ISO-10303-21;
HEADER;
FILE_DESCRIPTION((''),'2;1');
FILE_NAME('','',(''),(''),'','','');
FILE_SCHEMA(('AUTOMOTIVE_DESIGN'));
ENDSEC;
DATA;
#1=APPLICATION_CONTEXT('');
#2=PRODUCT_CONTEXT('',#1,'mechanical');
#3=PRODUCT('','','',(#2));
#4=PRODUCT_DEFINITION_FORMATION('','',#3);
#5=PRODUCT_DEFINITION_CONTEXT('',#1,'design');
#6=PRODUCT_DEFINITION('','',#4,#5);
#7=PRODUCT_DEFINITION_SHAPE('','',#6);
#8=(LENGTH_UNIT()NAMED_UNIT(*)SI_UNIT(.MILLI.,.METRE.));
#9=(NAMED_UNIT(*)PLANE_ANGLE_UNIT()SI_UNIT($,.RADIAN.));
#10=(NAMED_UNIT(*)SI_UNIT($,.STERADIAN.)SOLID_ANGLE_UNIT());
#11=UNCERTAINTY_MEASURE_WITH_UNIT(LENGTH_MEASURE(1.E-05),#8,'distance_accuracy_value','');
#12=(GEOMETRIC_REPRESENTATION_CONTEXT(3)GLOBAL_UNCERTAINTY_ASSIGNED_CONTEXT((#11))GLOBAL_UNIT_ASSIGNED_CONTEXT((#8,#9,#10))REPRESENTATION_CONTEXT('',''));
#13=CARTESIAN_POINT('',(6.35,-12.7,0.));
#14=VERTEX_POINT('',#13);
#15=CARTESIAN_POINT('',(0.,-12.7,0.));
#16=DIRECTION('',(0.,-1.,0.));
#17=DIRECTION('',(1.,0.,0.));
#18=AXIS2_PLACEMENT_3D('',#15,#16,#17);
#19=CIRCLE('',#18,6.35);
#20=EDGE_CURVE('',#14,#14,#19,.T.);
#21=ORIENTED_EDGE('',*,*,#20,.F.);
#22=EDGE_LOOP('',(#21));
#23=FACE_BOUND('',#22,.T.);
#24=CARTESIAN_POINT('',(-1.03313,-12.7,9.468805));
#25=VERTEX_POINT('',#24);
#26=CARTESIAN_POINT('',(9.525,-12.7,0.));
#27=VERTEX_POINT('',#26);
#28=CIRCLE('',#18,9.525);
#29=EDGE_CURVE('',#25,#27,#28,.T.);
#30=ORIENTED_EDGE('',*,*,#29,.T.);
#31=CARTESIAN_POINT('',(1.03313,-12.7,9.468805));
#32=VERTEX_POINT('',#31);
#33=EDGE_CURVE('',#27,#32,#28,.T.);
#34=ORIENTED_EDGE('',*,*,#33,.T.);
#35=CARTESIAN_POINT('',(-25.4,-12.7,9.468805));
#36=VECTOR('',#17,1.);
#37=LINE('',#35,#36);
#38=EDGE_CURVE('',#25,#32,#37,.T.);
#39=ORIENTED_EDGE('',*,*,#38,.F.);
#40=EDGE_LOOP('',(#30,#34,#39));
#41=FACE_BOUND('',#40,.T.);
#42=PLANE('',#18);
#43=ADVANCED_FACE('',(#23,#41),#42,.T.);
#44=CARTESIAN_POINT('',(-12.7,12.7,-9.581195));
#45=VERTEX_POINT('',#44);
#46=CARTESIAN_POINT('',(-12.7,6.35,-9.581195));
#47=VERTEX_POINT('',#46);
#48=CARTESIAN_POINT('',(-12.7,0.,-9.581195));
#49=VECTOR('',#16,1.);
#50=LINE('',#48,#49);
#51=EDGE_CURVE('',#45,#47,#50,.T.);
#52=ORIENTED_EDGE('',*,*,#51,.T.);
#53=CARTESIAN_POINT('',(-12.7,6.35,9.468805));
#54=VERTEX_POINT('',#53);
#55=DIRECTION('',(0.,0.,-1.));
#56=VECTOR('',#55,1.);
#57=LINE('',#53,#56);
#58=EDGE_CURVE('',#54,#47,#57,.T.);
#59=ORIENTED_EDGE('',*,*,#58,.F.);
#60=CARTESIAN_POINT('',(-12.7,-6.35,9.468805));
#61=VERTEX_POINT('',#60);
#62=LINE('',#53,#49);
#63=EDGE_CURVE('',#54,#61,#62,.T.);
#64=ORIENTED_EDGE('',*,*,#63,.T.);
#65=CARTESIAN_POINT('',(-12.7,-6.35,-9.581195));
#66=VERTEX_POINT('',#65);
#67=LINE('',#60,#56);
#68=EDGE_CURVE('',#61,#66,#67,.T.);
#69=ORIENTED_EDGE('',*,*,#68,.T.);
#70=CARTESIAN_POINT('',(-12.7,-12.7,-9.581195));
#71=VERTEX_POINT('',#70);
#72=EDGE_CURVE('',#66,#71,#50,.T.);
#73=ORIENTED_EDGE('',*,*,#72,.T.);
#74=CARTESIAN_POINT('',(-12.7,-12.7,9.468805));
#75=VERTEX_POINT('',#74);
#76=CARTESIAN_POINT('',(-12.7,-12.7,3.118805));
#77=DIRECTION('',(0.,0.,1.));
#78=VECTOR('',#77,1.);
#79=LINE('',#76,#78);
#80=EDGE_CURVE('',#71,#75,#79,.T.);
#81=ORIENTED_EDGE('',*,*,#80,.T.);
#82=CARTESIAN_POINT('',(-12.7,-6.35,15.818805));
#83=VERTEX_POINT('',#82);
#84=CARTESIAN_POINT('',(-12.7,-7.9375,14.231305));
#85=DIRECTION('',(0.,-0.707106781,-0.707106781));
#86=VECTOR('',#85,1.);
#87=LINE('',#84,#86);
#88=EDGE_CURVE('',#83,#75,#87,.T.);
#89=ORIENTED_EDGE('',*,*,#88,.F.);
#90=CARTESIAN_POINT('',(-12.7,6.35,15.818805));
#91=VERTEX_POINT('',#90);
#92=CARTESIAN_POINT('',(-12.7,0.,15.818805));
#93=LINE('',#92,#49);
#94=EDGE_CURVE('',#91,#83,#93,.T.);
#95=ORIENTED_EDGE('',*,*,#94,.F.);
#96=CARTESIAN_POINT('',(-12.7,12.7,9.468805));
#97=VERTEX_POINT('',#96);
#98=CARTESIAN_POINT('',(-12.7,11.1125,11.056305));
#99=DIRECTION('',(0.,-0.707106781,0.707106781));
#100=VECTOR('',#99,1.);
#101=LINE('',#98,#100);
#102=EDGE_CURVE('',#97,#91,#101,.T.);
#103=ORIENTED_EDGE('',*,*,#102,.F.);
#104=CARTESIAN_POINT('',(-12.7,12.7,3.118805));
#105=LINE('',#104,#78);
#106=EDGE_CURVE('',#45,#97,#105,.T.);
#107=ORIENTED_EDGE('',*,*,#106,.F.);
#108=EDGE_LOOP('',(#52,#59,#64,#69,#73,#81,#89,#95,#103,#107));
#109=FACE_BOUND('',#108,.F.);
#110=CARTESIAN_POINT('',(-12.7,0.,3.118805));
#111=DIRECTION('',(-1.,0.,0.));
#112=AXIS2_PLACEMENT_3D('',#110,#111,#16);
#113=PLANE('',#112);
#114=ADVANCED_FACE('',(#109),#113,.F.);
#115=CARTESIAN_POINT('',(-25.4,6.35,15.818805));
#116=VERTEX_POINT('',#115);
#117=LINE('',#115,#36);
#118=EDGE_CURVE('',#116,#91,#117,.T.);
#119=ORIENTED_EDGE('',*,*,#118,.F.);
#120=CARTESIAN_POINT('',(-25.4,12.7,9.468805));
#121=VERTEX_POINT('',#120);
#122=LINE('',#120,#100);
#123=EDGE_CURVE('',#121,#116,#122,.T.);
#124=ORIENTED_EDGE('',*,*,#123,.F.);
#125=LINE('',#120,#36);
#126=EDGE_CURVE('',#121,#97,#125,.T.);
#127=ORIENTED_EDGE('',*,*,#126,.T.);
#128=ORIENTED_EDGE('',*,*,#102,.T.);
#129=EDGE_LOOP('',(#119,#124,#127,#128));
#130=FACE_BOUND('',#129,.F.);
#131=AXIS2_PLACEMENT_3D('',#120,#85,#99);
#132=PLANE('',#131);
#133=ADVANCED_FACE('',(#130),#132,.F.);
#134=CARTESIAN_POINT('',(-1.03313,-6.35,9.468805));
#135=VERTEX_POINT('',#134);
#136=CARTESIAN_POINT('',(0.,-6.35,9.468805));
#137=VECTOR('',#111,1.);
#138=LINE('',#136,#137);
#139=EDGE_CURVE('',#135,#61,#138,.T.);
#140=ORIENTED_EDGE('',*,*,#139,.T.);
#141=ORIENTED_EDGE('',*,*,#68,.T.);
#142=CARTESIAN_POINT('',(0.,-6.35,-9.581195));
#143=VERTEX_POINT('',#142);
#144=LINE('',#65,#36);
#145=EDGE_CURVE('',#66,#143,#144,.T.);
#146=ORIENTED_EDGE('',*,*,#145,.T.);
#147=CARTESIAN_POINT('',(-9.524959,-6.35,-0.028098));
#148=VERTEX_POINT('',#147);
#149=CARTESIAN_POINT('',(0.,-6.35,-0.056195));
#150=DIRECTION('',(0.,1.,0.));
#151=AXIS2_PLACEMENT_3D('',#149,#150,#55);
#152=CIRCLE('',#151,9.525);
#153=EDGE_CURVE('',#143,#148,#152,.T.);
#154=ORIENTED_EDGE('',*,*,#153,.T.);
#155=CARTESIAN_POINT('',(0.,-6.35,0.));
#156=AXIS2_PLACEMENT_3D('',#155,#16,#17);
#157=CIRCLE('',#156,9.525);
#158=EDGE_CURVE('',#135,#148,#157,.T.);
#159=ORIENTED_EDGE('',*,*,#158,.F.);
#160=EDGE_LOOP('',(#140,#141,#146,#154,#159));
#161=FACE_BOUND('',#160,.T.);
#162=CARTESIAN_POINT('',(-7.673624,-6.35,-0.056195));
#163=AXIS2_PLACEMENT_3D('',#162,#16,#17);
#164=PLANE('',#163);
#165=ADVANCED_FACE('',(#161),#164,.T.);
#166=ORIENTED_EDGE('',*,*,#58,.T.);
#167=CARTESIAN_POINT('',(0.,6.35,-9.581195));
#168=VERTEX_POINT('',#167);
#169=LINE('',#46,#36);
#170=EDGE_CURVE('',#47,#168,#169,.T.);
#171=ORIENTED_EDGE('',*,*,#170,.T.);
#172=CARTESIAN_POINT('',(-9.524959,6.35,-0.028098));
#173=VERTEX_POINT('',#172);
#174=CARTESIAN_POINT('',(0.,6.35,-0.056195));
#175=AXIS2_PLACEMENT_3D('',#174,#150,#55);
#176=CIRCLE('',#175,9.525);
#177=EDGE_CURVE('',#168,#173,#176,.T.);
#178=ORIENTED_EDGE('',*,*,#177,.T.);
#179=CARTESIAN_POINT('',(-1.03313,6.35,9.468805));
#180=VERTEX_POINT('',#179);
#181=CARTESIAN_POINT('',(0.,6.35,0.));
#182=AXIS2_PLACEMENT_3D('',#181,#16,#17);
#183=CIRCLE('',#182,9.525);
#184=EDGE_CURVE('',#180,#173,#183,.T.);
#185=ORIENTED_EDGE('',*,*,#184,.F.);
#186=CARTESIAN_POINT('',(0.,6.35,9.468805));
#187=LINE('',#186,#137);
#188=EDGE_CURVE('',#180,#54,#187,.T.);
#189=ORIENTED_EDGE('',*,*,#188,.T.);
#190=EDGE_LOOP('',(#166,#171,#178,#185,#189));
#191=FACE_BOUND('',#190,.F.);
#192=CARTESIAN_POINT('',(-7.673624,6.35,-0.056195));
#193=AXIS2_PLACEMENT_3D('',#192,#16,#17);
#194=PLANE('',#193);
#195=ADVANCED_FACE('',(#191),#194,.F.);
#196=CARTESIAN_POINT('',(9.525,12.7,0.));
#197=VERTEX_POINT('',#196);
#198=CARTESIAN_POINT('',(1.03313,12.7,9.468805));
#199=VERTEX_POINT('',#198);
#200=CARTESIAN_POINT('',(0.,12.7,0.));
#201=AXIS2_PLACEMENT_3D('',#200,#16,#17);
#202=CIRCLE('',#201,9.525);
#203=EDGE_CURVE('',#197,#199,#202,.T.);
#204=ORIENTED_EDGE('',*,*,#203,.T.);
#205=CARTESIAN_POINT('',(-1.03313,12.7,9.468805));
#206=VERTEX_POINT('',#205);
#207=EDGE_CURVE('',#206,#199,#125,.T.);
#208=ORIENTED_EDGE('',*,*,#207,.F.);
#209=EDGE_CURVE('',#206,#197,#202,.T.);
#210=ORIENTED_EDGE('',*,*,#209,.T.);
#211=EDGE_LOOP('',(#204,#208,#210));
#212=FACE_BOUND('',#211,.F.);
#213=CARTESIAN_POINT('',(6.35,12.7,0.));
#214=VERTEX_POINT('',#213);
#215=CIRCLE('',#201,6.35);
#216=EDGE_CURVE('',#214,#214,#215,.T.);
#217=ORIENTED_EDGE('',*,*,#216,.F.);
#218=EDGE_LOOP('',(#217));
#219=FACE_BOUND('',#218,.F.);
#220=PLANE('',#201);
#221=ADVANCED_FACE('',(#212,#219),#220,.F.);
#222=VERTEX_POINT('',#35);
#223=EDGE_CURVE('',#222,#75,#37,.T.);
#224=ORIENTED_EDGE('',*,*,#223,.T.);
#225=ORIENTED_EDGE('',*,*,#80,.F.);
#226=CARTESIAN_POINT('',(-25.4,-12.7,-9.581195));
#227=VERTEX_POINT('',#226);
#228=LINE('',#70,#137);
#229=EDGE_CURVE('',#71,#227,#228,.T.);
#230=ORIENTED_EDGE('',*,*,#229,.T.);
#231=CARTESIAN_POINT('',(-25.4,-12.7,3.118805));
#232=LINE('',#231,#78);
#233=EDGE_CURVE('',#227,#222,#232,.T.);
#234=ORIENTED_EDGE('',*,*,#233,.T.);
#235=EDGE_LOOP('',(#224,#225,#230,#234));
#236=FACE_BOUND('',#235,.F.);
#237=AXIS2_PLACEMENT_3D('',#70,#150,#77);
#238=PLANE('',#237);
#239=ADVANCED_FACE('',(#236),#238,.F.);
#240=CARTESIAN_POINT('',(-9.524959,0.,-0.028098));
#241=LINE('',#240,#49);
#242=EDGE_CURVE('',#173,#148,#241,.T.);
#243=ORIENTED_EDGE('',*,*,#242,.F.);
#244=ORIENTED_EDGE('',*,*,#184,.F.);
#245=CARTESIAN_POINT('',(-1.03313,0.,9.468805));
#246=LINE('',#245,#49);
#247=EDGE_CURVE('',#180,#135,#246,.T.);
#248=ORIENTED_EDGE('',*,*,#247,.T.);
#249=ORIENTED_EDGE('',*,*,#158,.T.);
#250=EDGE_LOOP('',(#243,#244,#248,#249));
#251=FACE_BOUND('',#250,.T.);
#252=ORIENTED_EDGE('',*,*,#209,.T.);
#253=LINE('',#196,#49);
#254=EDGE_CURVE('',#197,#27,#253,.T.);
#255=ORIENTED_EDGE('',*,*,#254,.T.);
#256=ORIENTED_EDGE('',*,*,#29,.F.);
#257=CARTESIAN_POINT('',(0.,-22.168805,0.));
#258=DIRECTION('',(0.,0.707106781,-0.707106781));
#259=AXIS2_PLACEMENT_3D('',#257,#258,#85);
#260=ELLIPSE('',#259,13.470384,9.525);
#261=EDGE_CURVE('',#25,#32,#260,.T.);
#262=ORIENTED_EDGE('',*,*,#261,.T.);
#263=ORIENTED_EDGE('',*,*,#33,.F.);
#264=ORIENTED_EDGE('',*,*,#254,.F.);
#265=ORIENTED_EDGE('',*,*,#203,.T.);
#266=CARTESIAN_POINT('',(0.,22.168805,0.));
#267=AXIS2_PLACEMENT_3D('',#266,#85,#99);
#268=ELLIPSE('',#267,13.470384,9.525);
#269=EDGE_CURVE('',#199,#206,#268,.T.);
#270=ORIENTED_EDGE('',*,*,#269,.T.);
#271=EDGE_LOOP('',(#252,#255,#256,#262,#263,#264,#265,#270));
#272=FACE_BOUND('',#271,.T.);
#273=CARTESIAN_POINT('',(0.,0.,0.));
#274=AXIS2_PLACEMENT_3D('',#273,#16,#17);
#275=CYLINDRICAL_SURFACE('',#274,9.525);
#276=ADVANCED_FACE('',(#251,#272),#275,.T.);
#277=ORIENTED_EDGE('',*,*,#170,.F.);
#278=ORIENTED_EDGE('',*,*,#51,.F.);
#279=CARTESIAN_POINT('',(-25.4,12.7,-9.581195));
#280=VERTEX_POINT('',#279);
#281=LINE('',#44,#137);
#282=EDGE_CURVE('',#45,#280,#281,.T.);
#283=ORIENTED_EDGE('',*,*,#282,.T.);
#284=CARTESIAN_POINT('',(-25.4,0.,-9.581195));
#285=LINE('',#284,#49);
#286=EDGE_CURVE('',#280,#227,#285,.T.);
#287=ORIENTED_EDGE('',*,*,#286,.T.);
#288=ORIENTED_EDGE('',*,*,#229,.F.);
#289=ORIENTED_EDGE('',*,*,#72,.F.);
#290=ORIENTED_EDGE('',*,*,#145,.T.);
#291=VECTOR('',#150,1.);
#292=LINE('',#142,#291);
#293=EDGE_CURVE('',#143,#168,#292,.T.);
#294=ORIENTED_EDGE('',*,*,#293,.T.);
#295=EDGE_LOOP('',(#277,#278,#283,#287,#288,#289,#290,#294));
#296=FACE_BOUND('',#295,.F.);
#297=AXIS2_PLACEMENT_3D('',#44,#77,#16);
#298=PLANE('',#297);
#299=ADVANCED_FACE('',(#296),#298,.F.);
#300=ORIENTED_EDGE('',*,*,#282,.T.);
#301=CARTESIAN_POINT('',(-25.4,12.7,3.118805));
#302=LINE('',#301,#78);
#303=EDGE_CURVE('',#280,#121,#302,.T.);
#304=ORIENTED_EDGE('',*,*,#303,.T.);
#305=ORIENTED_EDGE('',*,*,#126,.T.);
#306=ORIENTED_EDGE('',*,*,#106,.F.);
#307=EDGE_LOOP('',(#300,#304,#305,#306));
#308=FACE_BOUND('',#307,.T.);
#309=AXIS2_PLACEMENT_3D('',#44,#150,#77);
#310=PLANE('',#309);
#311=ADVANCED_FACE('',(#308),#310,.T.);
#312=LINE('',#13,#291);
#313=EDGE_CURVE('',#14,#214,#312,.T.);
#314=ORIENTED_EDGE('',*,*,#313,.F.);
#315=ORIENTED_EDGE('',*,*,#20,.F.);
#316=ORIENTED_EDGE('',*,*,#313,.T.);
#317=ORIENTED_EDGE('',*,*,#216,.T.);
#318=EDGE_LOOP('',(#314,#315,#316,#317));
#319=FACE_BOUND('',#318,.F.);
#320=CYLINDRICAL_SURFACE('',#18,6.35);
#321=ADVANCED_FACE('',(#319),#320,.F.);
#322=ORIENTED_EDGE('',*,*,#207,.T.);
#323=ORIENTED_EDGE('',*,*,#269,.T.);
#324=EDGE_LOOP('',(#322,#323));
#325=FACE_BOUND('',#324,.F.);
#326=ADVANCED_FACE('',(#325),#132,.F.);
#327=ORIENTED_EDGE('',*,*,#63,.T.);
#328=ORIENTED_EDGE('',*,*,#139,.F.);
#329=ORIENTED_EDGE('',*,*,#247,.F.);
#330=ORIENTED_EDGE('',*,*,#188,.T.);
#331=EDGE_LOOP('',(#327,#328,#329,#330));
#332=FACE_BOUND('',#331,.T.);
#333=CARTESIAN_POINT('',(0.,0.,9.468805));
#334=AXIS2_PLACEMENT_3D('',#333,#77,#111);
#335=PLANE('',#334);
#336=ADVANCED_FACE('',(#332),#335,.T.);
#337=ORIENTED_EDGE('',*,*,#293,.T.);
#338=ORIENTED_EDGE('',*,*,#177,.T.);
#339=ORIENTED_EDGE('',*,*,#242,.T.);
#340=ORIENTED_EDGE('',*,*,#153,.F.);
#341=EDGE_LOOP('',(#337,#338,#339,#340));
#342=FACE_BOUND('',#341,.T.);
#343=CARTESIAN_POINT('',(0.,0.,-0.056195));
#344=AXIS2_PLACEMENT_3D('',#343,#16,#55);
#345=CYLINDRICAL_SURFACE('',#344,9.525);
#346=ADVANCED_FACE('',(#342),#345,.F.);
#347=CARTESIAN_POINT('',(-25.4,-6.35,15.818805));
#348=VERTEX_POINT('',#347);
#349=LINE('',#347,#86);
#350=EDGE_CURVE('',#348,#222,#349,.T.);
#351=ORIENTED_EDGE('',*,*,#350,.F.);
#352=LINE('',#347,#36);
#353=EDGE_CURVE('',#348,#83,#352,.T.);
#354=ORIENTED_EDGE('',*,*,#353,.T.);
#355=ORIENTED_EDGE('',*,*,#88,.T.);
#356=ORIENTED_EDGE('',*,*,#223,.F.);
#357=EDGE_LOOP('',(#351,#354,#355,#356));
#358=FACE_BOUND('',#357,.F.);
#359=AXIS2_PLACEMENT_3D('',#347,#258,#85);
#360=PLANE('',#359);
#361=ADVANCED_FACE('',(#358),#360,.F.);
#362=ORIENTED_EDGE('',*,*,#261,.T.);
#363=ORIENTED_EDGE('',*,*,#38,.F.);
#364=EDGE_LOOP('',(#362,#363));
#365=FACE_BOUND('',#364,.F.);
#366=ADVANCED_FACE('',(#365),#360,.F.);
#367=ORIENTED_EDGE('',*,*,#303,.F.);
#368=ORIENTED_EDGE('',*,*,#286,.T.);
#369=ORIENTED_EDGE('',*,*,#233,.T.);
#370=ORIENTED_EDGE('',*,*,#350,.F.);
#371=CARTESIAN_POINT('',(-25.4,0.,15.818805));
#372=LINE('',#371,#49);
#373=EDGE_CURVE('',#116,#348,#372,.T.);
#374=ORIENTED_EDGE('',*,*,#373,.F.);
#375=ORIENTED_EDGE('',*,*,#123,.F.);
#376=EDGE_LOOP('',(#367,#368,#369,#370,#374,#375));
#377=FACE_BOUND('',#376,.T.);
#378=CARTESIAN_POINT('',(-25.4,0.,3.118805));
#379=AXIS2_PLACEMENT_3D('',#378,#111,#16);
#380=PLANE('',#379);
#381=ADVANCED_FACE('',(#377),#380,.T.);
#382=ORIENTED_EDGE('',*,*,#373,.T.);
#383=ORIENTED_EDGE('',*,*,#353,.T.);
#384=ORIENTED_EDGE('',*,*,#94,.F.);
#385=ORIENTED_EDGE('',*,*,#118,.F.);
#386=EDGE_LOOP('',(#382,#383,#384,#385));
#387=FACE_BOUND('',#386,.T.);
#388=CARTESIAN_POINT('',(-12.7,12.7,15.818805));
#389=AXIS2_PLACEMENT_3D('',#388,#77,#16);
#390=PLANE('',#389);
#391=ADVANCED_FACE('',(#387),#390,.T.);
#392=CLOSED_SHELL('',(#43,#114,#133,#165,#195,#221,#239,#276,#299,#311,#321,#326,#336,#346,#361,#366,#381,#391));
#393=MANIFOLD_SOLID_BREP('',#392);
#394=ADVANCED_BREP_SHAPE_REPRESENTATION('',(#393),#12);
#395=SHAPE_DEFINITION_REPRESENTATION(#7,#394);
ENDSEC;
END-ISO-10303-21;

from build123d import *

# Parameters (mm, degrees)
F0_R     = 9.525
F1_DEPTH = 12.7
F3_DEPTH = 6.35
F4_W     = 25.4
F4_H     = 25.4
F5_DEPTH = 12.7
F7_DEPTH = 34.926
F8_R     = 6.35
F9_DEPTH = 25.401


with BuildPart() as f1:
    # F0 (on Front) → F1 (new body, symmetric)
    with BuildSketch(Plane.XZ):
        Circle(F0_R)
    extrude(amount=F1_DEPTH, both=True)

    # F2 (on Front) → F3 (join, symmetric)
    with BuildSketch(Plane.XZ):
        with BuildLine():
            ThreePointArc((0, -9.581195), (-9.525, -0.056195), (0, 9.468805))
            Line((0, 9.468805), (-12.7, 9.468805))
            Line((-12.7, 9.468805), (-12.7, -9.581195))
            Line((-12.7, -9.581195), (0, -9.581195))
        make_face()
    extrude(amount=F3_DEPTH, both=True)

    # F4 (on face) → F5 (join)
    with BuildSketch(Plane(origin=(-12.7, 0, 0), x_dir=(0, -1, 0), z_dir=(-1, 0, 0))):
        with Locations((0, 3.118805)):
            Rectangle(F4_W, F4_H)
    extrude(amount=F5_DEPTH)

    # F6 (on face) → F7 (cut, through all)
    with BuildSketch(Plane(origin=(-25.4, 0, 0), x_dir=(0, -1, 0), z_dir=(-1, 0, 0))):
        Polygon((-6.35, 15.818805), (-12.7, 15.818805), (-12.7, 9.468805), align=None)
        Polygon((12.7, 9.468805), (12.7, 15.818805), (6.35, 15.818805), align=None)
    extrude(amount=-F7_DEPTH, mode=Mode.SUBTRACT)

    # F8 (on face) → F9 (cut, through all)
    with BuildSketch(Plane.XZ.offset(12.7)):
        Circle(F8_R)
    extrude(amount=-F9_DEPTH, mode=Mode.SUBTRACT)


solid = f1.part
